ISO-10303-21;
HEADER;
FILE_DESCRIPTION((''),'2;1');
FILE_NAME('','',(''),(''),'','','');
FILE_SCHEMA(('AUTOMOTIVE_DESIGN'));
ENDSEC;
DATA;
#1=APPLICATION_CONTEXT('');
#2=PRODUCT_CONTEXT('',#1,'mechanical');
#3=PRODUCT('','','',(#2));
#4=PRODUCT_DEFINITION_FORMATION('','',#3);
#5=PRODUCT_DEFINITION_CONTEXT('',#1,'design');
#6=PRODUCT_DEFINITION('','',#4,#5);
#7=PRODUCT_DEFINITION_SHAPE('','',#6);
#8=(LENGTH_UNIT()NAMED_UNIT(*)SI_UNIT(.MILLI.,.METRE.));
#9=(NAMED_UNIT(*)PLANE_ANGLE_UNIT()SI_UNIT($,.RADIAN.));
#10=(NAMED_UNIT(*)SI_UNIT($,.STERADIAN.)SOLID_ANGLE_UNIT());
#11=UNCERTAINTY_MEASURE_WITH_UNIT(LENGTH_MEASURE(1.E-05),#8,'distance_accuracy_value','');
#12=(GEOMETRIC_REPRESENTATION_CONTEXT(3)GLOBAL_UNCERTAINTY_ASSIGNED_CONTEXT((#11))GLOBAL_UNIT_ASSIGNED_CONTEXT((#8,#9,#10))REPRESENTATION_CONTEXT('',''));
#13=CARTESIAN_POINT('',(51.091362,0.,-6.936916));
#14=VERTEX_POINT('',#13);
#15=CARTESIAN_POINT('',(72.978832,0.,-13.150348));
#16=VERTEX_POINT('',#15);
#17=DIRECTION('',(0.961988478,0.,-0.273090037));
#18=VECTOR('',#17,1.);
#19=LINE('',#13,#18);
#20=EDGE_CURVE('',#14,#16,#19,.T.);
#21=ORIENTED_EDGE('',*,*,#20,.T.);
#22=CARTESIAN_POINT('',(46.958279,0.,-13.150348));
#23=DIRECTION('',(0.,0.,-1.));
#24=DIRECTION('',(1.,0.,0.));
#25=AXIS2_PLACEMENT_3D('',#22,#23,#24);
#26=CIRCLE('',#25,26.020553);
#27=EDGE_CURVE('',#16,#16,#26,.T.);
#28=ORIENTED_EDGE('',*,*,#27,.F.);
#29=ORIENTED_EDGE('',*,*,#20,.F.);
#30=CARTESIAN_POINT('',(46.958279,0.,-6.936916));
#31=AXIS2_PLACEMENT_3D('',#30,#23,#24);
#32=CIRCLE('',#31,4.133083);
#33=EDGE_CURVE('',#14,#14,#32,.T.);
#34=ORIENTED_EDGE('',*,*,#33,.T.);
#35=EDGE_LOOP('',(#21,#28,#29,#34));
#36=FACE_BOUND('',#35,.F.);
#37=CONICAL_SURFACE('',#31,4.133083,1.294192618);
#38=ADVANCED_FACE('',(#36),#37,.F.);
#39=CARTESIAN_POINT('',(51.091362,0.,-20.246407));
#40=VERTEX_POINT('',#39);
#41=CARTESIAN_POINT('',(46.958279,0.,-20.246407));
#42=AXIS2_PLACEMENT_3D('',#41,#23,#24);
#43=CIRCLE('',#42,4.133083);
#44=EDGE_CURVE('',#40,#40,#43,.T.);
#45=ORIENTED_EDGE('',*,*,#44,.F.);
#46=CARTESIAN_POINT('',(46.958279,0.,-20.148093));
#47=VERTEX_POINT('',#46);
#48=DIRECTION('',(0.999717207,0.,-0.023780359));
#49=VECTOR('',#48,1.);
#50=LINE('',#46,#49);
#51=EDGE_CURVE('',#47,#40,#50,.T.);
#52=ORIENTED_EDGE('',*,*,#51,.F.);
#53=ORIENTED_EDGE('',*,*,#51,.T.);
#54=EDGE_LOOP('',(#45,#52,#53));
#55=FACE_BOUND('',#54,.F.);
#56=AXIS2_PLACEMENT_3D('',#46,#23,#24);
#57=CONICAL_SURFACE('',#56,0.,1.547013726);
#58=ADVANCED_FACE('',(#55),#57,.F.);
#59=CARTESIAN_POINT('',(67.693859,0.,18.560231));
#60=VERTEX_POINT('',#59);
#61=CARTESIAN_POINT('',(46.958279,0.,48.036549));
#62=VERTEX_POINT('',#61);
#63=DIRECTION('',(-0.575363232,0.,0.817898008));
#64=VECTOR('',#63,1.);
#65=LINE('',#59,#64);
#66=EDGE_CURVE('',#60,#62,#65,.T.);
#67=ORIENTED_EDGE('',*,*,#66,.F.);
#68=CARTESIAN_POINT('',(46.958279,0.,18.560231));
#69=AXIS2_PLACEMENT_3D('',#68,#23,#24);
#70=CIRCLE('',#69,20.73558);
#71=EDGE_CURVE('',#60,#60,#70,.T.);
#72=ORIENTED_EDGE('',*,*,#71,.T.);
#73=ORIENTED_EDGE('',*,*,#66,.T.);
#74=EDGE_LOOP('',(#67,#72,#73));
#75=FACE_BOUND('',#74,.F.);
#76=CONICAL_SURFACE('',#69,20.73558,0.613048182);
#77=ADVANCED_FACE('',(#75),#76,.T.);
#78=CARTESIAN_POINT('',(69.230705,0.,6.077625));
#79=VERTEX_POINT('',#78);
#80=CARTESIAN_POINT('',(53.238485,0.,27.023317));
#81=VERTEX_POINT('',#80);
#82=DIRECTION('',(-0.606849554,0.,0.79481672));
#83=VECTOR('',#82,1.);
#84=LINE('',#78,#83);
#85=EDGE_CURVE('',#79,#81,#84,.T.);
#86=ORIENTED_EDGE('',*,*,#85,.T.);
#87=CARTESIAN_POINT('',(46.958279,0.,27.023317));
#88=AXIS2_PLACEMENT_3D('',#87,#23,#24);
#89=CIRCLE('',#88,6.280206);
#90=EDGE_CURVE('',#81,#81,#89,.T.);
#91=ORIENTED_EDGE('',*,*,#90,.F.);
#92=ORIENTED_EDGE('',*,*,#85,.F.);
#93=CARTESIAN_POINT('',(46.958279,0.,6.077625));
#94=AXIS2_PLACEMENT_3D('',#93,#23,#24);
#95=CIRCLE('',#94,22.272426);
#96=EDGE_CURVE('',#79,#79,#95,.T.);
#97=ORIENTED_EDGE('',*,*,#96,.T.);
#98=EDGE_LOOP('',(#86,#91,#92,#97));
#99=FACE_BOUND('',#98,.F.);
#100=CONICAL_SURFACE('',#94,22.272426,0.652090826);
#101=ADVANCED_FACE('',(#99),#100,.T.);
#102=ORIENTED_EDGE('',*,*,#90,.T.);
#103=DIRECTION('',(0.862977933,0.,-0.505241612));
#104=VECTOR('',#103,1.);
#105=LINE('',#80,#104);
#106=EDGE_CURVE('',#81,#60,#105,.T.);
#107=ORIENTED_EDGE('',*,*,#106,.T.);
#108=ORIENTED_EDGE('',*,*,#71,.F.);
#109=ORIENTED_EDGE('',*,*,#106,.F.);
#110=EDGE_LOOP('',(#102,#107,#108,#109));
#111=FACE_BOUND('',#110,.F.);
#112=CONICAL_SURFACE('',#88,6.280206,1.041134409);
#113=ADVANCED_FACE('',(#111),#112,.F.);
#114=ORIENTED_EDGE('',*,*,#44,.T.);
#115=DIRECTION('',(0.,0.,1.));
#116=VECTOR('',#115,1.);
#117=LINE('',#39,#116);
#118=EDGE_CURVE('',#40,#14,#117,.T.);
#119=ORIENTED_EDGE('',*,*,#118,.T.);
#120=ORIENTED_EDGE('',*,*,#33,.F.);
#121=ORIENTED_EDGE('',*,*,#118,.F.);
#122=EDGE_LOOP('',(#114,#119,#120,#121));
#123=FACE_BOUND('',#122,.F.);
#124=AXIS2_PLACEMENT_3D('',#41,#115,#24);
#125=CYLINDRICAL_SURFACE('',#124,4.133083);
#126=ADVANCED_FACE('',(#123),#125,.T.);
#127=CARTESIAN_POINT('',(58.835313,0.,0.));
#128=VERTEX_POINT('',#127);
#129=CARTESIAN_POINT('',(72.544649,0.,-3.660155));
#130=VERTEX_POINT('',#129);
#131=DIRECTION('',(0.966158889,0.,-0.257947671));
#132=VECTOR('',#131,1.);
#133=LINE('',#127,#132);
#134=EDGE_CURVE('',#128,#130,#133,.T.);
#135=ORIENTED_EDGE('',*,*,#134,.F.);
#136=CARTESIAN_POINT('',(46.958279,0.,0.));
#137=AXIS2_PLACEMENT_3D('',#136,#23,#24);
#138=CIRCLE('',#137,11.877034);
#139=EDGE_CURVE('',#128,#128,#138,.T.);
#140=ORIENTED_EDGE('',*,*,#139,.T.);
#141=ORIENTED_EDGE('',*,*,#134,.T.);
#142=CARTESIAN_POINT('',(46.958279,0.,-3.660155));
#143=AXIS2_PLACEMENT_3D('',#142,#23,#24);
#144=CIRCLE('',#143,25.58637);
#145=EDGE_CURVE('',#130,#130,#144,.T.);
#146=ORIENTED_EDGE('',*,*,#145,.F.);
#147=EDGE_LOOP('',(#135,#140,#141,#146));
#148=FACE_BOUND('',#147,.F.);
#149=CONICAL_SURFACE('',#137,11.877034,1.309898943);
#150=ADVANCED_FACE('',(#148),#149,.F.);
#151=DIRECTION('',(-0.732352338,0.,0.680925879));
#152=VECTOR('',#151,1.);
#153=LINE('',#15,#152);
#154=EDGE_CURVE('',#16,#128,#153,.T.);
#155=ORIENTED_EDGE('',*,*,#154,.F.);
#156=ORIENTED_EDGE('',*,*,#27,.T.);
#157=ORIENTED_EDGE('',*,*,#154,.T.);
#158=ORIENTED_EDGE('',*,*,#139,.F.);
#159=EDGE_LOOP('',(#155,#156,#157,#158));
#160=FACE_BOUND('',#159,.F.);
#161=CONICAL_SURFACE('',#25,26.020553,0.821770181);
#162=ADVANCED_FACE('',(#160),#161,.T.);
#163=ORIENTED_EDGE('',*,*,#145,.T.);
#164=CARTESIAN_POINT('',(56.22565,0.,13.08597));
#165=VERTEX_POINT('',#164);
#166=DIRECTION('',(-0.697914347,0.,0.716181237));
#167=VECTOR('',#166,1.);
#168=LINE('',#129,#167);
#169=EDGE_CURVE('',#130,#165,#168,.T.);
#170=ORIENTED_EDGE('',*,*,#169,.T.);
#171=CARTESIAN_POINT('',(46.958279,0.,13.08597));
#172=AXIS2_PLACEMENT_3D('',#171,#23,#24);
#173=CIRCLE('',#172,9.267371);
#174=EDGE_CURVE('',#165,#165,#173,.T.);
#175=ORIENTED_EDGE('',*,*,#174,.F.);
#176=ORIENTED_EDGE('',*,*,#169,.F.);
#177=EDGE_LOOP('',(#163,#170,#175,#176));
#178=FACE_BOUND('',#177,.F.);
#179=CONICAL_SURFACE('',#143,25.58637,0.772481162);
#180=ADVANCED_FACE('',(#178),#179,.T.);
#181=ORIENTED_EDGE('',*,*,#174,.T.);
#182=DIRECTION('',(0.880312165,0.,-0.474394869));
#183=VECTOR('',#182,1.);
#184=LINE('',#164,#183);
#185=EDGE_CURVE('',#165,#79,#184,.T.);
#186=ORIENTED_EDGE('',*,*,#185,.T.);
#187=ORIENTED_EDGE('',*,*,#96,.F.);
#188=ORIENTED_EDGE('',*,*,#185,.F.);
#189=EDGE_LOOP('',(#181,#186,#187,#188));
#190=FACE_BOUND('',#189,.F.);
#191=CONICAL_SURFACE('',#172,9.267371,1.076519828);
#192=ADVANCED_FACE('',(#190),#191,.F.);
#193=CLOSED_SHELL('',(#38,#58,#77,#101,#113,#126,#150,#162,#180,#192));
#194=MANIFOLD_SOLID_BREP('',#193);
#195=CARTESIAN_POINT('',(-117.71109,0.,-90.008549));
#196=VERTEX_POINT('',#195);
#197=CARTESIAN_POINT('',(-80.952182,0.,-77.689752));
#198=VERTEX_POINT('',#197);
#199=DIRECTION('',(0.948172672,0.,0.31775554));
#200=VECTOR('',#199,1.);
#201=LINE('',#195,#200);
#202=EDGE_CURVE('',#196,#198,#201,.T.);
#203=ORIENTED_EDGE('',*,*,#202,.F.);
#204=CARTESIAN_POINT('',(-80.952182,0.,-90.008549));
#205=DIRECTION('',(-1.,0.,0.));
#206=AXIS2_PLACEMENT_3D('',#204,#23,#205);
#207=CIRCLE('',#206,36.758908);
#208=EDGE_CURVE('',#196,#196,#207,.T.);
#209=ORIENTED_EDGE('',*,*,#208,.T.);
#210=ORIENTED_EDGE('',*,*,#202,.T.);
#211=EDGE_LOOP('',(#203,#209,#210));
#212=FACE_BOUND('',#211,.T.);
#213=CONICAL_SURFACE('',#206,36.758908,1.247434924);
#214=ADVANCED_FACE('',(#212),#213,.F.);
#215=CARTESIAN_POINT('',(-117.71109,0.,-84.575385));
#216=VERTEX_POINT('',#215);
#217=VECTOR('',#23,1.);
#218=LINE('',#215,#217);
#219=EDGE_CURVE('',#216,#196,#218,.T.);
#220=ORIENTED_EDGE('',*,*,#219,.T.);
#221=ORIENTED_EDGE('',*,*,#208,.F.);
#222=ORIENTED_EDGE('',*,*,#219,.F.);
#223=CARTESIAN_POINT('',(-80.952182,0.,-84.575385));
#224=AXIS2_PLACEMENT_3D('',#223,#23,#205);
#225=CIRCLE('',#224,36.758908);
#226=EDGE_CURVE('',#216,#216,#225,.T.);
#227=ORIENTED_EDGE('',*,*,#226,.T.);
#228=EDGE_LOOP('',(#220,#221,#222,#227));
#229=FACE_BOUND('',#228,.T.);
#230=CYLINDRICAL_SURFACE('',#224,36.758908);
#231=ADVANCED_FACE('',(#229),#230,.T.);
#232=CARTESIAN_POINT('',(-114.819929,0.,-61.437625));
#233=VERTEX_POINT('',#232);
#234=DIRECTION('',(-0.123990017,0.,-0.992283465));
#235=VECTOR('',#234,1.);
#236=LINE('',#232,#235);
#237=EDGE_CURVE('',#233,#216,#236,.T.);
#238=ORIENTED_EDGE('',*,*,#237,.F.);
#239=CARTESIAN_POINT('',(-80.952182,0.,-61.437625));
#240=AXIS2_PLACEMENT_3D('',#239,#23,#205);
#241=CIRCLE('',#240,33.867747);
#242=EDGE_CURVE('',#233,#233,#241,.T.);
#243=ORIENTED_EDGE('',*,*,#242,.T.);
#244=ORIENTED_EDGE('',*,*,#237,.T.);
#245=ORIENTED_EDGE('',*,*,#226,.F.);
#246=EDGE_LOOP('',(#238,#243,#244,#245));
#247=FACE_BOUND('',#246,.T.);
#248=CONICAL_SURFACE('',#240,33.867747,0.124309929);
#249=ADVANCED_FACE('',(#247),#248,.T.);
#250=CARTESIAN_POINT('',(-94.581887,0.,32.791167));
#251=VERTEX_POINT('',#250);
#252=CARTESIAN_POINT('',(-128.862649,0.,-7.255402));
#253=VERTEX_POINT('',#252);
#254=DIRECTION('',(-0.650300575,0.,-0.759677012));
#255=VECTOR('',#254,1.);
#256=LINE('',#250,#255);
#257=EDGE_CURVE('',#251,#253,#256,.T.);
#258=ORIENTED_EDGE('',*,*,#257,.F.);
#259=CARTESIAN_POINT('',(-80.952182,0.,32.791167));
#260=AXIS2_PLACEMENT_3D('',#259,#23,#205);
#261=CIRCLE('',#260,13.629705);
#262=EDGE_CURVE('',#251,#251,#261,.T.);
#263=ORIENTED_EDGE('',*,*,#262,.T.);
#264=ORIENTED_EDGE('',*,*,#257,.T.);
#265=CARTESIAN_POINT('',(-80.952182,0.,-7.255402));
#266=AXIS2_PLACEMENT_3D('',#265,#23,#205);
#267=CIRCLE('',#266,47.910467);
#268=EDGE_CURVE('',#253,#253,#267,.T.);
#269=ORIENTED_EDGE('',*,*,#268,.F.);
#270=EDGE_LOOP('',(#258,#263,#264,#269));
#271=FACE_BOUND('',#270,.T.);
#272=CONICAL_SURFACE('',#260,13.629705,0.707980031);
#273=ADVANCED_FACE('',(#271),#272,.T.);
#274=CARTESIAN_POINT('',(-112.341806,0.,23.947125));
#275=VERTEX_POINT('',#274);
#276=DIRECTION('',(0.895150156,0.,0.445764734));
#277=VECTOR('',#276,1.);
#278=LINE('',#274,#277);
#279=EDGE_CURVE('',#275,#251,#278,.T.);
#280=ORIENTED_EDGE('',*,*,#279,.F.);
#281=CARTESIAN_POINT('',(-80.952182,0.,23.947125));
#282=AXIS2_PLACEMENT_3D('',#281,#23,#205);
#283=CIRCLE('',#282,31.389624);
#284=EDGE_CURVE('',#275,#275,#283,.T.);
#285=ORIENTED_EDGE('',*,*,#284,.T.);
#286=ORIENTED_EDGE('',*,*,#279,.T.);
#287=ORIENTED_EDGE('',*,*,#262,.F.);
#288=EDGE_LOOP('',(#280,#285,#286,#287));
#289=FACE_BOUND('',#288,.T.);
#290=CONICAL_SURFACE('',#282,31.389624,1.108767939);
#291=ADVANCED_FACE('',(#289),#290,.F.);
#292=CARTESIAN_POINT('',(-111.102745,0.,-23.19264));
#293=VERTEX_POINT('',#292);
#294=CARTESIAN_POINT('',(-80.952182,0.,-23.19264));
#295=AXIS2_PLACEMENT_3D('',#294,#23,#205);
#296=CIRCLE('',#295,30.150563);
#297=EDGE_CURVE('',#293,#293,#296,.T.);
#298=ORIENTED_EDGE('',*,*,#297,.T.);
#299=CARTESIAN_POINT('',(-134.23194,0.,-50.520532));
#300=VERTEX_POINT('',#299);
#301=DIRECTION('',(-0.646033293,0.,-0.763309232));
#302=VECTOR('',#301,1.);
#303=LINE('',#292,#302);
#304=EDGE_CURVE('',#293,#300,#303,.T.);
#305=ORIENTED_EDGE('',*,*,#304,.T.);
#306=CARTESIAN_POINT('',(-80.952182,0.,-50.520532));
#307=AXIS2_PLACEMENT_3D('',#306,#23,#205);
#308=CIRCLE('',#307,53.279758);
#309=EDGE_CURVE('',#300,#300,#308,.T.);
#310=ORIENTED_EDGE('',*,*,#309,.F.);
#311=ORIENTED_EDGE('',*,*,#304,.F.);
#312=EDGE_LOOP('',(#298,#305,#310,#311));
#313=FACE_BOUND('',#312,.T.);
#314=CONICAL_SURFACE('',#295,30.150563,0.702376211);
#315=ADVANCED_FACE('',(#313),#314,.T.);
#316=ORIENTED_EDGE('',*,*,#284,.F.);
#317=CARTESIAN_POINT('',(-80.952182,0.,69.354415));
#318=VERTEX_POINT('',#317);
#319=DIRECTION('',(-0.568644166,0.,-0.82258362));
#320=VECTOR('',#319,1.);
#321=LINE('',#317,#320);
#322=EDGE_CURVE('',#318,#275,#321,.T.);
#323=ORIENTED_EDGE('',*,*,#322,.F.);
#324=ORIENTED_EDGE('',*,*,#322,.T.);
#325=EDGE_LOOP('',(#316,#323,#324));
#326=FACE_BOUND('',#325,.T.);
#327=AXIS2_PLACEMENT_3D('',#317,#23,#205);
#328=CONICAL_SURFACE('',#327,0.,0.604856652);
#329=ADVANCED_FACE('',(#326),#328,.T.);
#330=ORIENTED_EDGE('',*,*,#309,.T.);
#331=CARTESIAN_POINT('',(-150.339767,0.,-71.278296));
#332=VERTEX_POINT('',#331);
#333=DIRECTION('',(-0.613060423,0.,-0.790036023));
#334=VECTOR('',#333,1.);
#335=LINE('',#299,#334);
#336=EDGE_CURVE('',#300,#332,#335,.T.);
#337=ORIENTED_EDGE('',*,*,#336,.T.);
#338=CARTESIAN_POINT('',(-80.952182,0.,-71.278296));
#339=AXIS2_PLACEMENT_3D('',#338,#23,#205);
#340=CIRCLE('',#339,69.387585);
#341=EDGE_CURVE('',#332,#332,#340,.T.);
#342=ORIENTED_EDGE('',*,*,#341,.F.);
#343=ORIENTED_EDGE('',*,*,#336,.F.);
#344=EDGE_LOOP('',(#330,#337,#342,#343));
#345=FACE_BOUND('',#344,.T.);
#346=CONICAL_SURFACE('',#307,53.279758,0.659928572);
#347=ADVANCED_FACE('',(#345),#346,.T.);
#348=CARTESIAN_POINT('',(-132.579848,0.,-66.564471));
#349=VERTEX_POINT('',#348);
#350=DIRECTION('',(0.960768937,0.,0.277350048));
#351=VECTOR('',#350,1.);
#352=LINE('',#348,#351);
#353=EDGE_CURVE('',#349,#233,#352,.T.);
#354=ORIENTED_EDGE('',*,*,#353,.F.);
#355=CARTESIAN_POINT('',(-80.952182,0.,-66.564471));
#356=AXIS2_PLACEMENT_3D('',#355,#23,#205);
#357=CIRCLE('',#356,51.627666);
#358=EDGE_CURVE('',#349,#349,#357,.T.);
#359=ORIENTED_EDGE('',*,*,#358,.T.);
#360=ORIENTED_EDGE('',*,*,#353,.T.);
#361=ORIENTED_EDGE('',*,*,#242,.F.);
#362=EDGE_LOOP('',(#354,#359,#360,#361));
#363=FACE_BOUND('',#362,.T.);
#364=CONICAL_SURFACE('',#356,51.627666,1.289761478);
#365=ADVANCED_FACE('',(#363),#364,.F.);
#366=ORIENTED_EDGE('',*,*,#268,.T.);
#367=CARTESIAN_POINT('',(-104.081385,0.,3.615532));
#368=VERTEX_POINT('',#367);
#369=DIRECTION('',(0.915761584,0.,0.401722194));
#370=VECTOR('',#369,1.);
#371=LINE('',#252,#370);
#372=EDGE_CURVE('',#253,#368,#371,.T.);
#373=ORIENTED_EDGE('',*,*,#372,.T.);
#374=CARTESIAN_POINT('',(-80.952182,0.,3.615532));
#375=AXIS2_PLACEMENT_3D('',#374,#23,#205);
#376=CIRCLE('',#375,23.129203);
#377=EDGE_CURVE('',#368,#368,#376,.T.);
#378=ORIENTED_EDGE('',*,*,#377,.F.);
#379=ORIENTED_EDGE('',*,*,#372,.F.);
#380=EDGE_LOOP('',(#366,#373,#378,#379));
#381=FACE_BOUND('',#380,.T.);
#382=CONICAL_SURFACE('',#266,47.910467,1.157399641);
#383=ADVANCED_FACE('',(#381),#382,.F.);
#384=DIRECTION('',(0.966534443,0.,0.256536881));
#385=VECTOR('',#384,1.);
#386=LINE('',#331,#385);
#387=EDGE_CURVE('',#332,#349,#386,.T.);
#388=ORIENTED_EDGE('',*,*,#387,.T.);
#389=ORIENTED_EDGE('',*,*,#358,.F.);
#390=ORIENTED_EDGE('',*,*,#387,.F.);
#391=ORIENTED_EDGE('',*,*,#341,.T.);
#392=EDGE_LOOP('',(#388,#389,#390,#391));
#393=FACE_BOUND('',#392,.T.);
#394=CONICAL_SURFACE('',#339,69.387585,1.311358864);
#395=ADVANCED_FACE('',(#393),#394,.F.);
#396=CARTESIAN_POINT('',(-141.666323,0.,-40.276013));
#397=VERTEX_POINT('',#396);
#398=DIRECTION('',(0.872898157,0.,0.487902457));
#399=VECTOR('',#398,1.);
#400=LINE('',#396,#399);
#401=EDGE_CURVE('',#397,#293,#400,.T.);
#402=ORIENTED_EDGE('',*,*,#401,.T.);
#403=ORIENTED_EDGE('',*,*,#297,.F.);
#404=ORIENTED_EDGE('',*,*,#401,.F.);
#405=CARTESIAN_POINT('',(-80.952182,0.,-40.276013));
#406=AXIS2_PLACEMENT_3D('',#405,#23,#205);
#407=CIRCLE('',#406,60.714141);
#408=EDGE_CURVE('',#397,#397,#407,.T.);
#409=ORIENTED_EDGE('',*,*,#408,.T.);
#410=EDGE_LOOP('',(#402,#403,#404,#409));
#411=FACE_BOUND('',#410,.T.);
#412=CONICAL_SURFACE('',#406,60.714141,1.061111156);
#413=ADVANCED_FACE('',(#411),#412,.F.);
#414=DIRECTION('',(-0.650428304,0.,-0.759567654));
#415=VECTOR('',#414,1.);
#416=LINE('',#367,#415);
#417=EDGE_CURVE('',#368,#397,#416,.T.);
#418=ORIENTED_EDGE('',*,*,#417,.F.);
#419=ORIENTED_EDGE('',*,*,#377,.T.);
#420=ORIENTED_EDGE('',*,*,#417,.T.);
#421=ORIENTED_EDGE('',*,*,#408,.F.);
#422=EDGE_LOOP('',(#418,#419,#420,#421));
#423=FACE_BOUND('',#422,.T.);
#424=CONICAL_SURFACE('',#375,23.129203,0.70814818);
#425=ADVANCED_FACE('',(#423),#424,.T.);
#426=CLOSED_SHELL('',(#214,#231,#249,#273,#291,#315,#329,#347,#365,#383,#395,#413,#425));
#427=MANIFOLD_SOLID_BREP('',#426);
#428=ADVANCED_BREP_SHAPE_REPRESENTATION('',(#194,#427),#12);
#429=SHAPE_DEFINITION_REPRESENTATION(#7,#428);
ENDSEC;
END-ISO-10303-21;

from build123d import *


with BuildPart() as f1:
    # F0 (on Front) → F1 (revolve)
    with BuildSketch(Plane.XZ):
        Polygon((-114.819929, -61.437625), (-117.71109, -84.575385), (-117.71109, -90.008549), (-80.952182, -77.689752), (-80.952182, 69.354415), (-112.341806, 23.947125), (-94.581887, 32.791167), (-128.862649, -7.255402), (-104.081385, 3.615532), (-141.666323, -40.276013), (-111.102745, -23.19264), (-134.23194, -50.520532), (-150.339767, -71.278296), (-132.579848, -66.564471), align=None)
    revolve(axis=Axis((-80.952182, 0, -4.167669), (0, 0, -1)))


with BuildPart() as f3:
    # F2 (on Front) → F3 (revolve)
    with BuildSketch(Plane.XZ):
        Polygon((46.958279, -20.148093), (51.091362, -20.246407), (51.091362, -6.936916), (72.978832, -13.150348), (58.835313, 0), (72.544649, -3.660155), (56.22565, 13.08597), (69.230705, 6.077625), (53.238485, 27.023317), (67.693859, 18.560231), (46.958279, 48.036549), align=None)
    revolve(axis=Axis((46.958279, 0, 13.944228), (0, 0, -1)))


solid = Compound([f1.part, f3.part])
